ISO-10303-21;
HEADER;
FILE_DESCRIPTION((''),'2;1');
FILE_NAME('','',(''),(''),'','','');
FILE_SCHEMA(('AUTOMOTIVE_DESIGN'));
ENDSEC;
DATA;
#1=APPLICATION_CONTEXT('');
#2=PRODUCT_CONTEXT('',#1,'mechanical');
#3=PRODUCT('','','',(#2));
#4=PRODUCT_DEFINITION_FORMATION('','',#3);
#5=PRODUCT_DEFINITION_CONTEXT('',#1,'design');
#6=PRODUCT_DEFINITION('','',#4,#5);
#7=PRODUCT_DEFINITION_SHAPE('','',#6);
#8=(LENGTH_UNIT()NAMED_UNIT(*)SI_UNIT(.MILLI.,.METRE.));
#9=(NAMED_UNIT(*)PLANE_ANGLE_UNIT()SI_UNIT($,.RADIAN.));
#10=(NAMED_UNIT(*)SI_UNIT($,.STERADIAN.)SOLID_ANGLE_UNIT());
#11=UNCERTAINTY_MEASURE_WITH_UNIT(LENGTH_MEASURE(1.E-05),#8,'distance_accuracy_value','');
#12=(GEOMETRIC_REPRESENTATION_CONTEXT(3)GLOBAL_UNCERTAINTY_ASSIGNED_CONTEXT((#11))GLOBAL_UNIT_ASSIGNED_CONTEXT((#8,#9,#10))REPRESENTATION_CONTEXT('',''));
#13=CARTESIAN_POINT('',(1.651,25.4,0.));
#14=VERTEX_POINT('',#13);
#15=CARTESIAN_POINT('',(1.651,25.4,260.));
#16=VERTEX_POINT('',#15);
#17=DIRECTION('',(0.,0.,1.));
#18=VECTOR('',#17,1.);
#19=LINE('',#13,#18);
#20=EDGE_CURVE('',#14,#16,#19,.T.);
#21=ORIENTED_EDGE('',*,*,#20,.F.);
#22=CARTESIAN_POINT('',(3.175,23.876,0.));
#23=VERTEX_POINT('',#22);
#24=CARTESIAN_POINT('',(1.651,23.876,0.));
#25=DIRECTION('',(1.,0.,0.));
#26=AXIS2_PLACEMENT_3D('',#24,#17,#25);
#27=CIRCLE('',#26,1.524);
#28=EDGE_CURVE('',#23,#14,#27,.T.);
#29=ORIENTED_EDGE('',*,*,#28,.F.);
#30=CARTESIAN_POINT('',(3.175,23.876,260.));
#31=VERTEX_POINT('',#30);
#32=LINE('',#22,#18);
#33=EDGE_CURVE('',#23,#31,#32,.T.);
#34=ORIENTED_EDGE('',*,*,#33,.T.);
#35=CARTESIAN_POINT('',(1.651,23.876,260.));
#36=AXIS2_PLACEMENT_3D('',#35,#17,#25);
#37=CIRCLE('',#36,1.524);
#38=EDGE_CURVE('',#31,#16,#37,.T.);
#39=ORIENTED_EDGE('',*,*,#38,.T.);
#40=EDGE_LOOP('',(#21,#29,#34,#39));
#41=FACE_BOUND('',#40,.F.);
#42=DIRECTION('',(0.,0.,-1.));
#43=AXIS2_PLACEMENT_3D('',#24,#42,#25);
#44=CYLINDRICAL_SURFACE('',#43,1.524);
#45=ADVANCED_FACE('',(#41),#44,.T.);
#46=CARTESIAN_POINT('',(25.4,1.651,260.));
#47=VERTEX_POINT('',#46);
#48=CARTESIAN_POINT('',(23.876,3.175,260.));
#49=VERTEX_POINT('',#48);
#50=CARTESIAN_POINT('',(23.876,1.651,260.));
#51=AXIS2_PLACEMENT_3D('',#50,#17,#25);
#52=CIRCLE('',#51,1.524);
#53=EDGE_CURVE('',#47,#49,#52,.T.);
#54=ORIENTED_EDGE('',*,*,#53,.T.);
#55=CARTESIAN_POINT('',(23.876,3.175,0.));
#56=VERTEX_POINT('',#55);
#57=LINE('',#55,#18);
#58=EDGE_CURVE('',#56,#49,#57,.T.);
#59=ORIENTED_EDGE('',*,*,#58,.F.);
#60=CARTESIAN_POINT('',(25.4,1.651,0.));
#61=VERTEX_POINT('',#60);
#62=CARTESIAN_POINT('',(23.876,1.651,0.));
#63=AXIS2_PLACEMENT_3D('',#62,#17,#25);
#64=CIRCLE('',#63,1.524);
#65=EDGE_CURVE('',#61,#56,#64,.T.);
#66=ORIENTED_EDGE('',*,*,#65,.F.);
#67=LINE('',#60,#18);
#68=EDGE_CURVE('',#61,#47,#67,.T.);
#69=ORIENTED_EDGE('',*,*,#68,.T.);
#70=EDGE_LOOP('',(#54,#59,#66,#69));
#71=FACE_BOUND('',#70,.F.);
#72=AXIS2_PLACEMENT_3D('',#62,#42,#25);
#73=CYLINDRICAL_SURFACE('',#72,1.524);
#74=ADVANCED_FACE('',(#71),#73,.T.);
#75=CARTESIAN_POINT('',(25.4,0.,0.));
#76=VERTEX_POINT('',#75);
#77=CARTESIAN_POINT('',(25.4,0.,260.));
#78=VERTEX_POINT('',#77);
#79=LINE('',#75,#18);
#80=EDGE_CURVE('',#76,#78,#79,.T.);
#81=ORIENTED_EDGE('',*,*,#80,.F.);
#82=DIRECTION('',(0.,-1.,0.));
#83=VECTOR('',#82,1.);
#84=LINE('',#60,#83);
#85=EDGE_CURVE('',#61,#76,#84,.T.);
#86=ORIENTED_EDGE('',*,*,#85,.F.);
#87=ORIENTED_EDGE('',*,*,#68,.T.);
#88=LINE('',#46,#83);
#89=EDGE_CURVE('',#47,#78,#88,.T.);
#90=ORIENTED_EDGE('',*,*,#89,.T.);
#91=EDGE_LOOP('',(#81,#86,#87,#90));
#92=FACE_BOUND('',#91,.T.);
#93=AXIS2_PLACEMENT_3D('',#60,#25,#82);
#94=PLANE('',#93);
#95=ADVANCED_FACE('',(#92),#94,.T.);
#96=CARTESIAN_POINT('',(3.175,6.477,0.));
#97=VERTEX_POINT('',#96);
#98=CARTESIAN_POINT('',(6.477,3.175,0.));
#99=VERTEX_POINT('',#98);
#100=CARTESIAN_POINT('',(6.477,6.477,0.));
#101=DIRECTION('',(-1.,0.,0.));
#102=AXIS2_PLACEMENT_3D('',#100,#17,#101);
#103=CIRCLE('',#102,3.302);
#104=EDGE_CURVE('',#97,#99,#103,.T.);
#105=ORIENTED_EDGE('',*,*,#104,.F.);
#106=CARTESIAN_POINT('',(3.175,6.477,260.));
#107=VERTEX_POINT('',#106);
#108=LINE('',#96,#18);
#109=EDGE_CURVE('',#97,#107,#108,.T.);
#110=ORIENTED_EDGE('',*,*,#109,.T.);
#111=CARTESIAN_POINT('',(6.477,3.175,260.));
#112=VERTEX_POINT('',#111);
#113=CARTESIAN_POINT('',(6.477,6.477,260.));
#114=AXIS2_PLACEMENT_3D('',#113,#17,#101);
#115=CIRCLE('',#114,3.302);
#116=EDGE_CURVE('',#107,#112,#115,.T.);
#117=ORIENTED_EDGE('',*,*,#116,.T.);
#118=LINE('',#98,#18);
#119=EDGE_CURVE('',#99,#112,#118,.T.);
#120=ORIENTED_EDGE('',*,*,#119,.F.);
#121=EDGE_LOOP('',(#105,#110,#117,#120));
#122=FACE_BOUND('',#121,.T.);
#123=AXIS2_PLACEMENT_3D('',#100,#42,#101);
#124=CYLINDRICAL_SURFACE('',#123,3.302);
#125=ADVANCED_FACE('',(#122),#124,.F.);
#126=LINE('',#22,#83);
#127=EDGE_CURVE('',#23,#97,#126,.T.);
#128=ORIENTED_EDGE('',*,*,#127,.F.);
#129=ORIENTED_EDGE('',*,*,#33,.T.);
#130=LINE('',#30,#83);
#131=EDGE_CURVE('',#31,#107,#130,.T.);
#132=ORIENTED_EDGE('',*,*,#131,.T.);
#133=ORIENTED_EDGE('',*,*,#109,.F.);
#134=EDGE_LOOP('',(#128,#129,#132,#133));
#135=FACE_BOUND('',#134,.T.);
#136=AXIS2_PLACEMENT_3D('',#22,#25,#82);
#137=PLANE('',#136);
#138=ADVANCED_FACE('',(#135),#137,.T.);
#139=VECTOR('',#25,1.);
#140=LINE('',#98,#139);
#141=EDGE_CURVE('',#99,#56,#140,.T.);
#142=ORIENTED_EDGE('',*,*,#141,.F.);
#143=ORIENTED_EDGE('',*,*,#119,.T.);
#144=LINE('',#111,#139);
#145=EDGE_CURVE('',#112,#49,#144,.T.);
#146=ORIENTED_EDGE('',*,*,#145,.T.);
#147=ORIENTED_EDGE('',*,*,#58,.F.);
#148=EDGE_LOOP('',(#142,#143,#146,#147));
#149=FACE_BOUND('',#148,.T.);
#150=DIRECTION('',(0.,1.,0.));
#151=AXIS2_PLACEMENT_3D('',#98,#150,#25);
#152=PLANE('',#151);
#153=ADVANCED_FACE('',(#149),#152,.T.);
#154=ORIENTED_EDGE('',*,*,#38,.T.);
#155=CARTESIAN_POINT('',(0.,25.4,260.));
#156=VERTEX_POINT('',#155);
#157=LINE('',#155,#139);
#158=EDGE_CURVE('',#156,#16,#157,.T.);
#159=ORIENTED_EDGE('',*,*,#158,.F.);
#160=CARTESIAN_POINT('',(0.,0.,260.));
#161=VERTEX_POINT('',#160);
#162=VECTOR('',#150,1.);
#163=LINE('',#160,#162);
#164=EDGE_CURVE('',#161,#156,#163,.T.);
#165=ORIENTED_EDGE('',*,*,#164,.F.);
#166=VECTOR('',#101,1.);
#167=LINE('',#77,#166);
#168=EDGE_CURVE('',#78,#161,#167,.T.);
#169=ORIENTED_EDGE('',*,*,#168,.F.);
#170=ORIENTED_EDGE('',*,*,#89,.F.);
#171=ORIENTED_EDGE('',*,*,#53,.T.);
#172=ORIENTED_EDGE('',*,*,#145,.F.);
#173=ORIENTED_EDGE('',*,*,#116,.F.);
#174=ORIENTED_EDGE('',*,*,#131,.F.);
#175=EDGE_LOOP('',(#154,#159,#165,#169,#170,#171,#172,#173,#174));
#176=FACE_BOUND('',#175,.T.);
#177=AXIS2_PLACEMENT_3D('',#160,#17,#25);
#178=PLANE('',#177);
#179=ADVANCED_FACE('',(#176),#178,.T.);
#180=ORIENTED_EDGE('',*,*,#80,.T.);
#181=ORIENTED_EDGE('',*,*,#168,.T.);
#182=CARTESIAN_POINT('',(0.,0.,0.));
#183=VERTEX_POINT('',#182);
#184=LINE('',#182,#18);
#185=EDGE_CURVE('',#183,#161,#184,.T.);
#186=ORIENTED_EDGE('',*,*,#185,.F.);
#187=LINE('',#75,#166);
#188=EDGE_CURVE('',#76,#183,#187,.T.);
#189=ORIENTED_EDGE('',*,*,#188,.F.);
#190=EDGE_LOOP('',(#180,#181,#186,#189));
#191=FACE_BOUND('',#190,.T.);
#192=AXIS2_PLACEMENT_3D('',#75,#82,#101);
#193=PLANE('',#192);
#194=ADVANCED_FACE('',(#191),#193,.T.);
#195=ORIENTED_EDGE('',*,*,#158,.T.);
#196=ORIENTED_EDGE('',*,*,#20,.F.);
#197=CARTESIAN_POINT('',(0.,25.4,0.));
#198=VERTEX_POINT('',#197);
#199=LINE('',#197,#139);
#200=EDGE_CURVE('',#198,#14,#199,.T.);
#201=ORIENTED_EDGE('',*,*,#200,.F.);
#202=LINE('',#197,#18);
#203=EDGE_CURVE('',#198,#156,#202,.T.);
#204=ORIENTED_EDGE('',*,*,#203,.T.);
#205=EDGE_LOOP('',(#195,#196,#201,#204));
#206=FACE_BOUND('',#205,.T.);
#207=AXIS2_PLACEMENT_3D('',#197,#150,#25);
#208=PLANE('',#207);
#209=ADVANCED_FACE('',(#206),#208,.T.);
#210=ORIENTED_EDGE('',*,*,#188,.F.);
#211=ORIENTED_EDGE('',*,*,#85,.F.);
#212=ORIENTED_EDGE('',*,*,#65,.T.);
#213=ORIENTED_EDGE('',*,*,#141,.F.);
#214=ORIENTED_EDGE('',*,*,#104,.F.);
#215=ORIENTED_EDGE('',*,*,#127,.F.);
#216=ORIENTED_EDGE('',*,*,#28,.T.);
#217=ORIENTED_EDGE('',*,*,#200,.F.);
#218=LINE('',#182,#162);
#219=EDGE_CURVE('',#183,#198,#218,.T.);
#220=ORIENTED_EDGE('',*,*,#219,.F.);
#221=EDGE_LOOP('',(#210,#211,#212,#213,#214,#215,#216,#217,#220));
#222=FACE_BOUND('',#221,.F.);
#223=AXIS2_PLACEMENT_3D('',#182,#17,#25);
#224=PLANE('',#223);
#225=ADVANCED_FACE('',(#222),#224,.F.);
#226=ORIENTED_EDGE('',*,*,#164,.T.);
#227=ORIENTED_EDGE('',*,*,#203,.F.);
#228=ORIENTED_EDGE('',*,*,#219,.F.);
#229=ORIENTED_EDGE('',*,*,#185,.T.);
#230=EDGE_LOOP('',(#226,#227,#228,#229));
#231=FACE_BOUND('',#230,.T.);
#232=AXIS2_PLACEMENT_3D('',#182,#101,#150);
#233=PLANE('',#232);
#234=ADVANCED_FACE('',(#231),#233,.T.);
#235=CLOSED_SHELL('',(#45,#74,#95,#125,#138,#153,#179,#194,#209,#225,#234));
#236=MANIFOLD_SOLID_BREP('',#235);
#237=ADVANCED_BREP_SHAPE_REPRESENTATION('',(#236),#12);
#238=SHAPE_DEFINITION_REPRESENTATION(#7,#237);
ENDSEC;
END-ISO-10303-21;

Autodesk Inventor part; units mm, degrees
ref_plane "YZ Plane" through (0, 0, 0) normal (1, 0, 0) x (0, 1, 0)
ref_plane "Start Plane" through (0, 0, 0) normal (0, 0, 1) x (1, 0, 0)
ref_plane "End Plane" through (0, 0, 260) normal (0, 0, 1) x (1, 0, 0)
sketch "Sketch" plane through (0, 0, 0) normal (0, 0, 1) x (1, 0, 0)
  line L0 (25.4, 0) -> (0, 0)
  line L1 (0, 0) -> (0, 25.4)
  line L2 (0, 25.4) -> (1.651, 25.4)
  line L3 (3.175, 23.876) -> (3.175, 6.477)
  line L4 (6.477, 3.175) -> (23.876, 3.175)
  line L5 (25.4, 1.651) -> (25.4, 0)
  line L6 (0, -11.0414) -> (0, 31.5385) construction
  line L7 (-11.0414, 0) -> (31.5385, 0) construction
  arc A0 (3.175, 6.477) -> (6.477, 3.175) centre (6.477, 6.477) ccw
  arc A1 (3.175, 23.876) -> (1.651, 25.4) centre (1.651, 23.876) ccw
  arc A2 (25.4, 1.651) -> (23.876, 3.175) centre (23.876, 1.651) ccw
  line L8 (0, 40.0545) -> (0, -19.5574) construction
  line L9 (-19.5574, 0) -> (40.0545, 0) construction
  point P0 (3.175, 25.4)
  point P1 (3.175, 3.175)
  point P2 (25.4, 3.175)
  dimension "d0" = 25.4
  dimension "d1" = 25.4
  dimension "d2" = 3.175
  dimension "d3" = 3.175
  dimension "d10" = 0
  dimension "d11" = 0
  dimension "d14" = 3.302
  dimension "d15" = 1.524
extrude "Body" add sketch "Sketch" along normal up to surface (260 mm away) from surface at 0
sketch "Sketch3" plane through (0, 0, 0) normal (0, 0, 1) x (1, 0, 0)
  line L0 (0, 0) -> (10, 0)
ref_plane "Work Plane3" through (0, 0, 0) normal (0, -1, 0) x (1, 0, 0)
sketch "Sketch4" plane through (0, 0, 0) normal (0, -1, 0) x (1, 0, 0)
  line L0 (-2, 0) -> (12, 0) projected
  line L1 (-2, 260) -> (12, 260) projected
  dimension "d17" = 260
equation "\"d0\" = G_H"
equation "\"d1\" = G_H"
equation "\"d2\" = G_T"
equation "\"d3\" = G_T"
equation "\"d14\" = G_IR"
equation "\"d15\" = G_ER"
equation "\"d4\" = G_L"
equation "\"G_H\" = 25.4"
equation "\"G_T\" = 3.175"
equation "\"G_ER\" = 1.524"
equation "\"G_IR\" = 3.302"
equation "\"G_L\" = d17"
equation "\"ex\" = 0"
equation "\"G_OFFSET_START\" = 0"
equation "\"G_OFFSET_END\" = 0"
equation "\"d13\" = G_OFFSET_END + B_L"
equation "\"B_L\" = 260"
properties part number "AISC - L 1 x 1 x 1/8 - 10.236" material "Steel, Mild"
